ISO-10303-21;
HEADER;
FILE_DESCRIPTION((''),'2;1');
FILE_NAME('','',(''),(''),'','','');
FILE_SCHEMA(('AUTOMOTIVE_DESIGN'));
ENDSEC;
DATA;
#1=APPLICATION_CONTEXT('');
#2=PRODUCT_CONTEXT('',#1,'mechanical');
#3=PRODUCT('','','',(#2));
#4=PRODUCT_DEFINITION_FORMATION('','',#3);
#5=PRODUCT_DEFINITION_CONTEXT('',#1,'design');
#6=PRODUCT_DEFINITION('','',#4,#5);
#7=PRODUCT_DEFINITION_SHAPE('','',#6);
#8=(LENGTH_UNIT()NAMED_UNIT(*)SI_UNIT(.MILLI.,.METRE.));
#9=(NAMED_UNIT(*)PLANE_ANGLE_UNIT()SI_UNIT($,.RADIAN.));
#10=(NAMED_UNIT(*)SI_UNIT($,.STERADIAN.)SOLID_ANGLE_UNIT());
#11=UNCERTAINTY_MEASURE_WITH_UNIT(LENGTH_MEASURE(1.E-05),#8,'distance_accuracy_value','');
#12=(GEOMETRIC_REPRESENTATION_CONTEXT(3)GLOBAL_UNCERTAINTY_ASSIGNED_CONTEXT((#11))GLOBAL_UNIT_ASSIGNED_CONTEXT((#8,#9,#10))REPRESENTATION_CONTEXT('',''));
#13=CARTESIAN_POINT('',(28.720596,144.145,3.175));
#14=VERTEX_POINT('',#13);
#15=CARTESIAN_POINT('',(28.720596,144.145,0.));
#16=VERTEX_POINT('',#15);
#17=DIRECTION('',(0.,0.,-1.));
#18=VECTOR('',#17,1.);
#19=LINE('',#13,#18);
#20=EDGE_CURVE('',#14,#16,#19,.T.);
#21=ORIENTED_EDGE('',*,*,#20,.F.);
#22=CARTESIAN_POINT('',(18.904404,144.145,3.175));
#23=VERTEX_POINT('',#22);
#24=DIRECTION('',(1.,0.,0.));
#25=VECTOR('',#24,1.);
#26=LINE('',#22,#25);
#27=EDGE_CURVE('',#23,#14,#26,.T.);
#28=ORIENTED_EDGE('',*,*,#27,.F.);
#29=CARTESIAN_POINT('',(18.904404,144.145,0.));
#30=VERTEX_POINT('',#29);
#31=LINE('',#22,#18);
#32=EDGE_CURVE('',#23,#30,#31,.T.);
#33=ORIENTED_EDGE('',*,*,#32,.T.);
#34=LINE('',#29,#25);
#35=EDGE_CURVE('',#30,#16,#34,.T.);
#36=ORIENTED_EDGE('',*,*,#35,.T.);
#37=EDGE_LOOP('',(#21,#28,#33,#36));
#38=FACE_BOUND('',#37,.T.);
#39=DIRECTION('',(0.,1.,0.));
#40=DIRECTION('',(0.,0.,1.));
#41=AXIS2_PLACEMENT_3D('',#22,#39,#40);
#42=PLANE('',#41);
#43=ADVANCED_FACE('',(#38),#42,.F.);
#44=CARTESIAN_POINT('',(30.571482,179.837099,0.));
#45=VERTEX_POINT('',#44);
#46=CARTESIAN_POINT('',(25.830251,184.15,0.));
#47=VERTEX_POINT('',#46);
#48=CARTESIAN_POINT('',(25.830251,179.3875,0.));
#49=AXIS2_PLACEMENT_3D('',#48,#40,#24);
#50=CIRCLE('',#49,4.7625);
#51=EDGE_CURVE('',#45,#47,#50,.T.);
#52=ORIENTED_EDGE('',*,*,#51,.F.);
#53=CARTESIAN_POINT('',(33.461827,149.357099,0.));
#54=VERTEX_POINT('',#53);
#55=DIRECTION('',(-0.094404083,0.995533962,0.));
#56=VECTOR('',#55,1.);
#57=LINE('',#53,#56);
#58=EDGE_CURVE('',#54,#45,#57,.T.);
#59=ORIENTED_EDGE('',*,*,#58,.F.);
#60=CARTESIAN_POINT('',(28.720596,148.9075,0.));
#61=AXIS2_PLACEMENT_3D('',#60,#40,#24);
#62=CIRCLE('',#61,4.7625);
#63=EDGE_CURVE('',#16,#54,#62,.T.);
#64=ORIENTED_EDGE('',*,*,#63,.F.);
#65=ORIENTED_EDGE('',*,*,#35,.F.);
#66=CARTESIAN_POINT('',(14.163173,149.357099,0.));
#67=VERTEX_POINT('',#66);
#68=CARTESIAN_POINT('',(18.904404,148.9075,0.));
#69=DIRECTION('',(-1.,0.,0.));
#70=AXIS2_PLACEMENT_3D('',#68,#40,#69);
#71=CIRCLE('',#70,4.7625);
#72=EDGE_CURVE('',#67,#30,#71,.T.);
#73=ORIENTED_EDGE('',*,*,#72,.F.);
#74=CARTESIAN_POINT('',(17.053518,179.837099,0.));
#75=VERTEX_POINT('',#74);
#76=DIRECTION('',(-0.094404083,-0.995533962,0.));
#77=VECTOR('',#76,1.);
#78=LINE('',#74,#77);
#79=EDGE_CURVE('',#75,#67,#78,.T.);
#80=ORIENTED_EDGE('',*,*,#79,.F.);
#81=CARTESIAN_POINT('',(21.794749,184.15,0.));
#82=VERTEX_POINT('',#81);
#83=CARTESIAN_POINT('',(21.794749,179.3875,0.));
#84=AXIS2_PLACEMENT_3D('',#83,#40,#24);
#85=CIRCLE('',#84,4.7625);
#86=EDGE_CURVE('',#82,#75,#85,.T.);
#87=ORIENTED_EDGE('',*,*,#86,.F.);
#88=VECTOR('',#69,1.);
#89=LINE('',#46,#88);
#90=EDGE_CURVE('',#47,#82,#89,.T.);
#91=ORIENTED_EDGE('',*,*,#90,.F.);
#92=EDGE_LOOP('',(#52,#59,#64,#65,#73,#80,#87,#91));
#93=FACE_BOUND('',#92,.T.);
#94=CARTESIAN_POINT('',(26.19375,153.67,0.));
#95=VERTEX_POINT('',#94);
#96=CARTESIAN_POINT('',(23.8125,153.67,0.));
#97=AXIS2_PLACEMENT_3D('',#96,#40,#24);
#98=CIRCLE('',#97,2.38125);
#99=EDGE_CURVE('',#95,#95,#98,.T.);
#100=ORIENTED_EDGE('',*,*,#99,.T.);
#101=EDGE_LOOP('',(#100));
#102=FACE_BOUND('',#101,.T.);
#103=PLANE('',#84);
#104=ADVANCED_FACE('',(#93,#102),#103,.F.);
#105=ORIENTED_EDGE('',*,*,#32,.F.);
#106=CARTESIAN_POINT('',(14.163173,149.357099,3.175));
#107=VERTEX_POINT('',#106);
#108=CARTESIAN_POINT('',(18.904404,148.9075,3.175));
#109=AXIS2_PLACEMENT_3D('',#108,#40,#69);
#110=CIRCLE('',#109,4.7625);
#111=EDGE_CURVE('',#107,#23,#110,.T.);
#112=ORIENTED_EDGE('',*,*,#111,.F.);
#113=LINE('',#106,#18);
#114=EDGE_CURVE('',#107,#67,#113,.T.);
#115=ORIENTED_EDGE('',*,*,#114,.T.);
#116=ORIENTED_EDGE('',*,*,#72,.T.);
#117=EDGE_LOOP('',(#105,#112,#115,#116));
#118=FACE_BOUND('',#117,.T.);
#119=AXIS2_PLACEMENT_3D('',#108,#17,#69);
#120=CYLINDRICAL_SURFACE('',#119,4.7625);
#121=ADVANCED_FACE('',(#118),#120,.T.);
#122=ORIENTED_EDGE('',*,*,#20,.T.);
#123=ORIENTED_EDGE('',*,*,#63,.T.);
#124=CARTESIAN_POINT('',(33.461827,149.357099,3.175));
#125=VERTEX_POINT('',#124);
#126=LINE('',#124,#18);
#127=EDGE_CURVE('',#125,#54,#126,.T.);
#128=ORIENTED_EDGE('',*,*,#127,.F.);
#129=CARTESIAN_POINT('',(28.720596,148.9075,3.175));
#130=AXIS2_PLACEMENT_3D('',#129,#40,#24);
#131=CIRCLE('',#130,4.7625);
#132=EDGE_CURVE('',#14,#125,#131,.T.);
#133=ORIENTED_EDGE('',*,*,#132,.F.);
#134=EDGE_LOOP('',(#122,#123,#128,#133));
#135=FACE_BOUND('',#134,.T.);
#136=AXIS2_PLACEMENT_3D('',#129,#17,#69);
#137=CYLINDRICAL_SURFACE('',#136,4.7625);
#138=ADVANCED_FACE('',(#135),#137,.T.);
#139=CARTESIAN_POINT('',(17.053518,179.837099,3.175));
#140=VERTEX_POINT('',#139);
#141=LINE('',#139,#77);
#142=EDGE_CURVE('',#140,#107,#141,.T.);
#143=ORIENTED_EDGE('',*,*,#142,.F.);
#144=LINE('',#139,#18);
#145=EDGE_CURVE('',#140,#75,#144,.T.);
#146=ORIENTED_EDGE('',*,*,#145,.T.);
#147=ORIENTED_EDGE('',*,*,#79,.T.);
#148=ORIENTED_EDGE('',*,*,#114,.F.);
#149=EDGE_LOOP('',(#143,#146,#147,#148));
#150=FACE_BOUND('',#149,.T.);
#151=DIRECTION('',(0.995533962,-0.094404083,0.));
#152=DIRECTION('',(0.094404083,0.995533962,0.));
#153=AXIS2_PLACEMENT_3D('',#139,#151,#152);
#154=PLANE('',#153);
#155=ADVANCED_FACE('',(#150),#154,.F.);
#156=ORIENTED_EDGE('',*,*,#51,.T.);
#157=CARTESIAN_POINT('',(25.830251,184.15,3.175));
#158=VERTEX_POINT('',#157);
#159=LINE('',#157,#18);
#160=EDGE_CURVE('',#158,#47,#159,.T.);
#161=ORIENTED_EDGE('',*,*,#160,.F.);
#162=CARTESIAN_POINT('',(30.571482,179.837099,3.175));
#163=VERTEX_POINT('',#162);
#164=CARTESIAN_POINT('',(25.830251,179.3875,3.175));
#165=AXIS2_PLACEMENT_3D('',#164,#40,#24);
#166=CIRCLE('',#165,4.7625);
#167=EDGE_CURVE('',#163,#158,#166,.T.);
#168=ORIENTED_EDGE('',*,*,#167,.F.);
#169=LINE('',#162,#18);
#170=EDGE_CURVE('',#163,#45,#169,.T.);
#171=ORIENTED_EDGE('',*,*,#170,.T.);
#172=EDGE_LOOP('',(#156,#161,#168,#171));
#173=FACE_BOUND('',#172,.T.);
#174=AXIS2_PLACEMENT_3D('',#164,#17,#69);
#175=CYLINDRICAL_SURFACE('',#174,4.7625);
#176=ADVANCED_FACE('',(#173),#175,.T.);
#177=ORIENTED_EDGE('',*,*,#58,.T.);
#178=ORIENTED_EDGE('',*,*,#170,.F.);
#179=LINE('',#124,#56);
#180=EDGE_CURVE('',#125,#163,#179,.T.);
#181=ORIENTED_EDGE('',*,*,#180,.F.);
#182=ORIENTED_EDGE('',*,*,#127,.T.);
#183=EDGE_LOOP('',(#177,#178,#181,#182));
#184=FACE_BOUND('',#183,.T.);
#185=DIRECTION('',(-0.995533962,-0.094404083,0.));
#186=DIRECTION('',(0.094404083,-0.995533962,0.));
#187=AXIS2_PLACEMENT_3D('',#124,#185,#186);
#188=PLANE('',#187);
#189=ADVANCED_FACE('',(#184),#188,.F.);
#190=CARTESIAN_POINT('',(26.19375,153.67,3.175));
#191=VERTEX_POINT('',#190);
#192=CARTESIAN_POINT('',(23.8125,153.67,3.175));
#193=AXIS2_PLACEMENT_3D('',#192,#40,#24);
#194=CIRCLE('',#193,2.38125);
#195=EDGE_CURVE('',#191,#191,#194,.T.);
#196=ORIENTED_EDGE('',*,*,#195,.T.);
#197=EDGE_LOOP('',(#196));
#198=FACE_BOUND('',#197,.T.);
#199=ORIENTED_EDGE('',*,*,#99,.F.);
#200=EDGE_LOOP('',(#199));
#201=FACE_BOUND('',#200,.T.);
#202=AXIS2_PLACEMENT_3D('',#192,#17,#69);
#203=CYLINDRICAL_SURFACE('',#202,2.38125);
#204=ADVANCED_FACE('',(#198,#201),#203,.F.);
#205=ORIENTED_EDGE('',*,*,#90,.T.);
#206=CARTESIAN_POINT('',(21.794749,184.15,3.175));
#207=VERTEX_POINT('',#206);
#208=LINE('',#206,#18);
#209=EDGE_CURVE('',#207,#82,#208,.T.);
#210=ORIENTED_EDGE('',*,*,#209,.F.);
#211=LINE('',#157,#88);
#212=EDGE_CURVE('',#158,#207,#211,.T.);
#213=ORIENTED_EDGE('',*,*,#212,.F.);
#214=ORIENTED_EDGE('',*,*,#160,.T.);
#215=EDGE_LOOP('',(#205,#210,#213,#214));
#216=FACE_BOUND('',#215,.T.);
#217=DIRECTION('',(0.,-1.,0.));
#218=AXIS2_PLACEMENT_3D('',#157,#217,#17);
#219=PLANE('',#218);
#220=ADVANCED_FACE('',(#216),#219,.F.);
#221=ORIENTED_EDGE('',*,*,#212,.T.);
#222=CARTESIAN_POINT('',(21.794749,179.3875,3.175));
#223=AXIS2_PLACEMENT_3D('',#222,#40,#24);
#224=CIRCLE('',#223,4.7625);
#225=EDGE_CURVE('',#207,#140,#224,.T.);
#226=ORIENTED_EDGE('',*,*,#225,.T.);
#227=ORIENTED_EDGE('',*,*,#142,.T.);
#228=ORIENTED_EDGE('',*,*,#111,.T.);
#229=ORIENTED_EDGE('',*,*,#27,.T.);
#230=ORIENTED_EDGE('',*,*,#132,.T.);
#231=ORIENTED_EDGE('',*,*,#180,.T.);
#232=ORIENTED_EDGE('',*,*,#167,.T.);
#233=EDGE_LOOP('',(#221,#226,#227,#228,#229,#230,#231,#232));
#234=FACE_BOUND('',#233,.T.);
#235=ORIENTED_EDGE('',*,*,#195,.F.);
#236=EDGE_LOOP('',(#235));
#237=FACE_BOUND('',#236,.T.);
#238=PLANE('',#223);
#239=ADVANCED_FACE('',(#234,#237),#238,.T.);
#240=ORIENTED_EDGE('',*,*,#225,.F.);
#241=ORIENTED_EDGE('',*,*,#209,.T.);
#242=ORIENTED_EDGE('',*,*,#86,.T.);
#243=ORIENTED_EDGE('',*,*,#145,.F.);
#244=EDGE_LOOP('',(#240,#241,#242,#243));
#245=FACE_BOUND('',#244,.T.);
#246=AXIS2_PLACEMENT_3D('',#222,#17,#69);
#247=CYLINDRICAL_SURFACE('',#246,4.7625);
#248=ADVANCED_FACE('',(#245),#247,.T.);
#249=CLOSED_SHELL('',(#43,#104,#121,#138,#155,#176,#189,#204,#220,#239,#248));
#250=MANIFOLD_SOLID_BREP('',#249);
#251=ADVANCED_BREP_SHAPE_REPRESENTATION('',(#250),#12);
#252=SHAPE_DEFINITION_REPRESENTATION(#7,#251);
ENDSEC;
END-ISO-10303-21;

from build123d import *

# Parameters (mm, degrees)
SKETCH1_R           = 2.38125
BOSS_EXTRUDE1_DEPTH = 3.175


with BuildPart() as part:
    # Sketch1 → Boss-Extrude1 (new body)
    with BuildSketch(Plane.XY):
        with BuildLine():
            Line((33.461826777, 149.357099443), (30.571481949, 179.837099443))
            ThreePointArc((30.571481949, 179.837099443), (29.034950264, 182.910469174), (25.830251456, 184.15))
            Line((25.830251456, 184.15), (21.794748544, 184.15))
            ThreePointArc((21.794748544, 184.15), (18.590049736, 182.910469174), (17.053518051, 179.837099443))
            Line((17.053518051, 179.837099443), (14.163173223, 149.357099443))
            ThreePointArc((14.163173223, 149.357099443), (15.381434543, 145.702801192), (18.904403716, 144.145))
            Line((18.904403716, 144.145), (28.720596284, 144.145))
            ThreePointArc((28.720596284, 144.145), (32.243565457, 145.702801192), (33.461826777, 149.357099443))
        make_face()
        with Locations((23.8125, 153.67)):
            Circle(SKETCH1_R, mode=Mode.SUBTRACT)
    extrude(amount=BOSS_EXTRUDE1_DEPTH)


solid = part.part
